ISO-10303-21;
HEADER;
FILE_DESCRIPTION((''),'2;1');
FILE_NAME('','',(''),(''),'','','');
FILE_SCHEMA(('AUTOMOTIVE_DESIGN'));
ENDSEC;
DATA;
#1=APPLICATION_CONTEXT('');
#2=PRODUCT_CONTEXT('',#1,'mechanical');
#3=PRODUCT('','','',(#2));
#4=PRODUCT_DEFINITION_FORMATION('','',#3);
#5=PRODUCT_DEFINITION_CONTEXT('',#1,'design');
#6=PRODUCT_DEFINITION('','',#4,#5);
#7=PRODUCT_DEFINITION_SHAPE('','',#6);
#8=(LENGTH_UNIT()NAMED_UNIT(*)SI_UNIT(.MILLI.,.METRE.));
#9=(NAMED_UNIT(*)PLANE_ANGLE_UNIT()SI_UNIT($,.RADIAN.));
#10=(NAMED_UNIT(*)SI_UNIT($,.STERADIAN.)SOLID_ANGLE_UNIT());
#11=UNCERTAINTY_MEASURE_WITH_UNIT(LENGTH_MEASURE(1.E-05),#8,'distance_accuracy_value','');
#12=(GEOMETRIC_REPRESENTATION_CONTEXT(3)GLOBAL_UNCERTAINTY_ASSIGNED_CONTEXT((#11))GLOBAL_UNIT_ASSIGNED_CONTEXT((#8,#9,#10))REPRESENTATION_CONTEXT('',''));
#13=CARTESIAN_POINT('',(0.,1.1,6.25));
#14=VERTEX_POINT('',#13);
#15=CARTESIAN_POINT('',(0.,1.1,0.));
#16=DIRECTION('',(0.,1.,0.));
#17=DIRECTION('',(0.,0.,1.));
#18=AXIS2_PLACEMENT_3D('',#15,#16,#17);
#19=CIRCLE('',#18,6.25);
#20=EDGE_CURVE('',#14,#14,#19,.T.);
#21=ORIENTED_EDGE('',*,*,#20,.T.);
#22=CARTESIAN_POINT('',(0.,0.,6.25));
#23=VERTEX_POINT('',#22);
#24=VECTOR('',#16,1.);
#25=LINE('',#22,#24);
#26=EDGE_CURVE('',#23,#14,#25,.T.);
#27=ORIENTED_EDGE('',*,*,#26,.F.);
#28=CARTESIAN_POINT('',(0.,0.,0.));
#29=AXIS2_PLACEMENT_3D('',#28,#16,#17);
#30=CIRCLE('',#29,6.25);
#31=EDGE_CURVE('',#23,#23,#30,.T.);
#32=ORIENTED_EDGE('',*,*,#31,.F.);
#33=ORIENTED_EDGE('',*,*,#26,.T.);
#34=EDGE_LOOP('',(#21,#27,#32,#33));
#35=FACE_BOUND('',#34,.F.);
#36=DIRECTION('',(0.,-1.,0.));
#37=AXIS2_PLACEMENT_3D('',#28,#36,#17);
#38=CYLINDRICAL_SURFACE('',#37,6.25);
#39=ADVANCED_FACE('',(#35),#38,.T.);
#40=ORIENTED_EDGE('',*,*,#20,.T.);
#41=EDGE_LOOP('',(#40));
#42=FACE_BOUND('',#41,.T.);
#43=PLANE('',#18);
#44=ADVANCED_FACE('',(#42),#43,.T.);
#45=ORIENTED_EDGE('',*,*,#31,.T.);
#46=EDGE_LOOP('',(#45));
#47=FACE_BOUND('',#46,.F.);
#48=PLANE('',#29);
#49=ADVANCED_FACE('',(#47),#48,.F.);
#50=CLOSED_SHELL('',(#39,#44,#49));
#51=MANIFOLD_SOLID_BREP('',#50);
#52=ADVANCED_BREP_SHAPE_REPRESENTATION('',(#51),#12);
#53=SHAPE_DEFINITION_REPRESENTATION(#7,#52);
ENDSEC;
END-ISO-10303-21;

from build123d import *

# Parameters (mm, degrees)
SKETCH_1_R      = 6.25
EXTRUDE_1_DEPTH = 1.1


with BuildPart() as part:
    # 草图1 → 凸台-拉伸1 (new body)
    with BuildSketch(Plane(origin=(0, 0, 0), x_dir=(1, 0, 0), z_dir=(0, 1, 0))):
        with Locations(Location((0, 0, 0), (0, 0, 270))):  # turned: the seam where the file's is
            Circle(SKETCH_1_R)
    extrude(amount=EXTRUDE_1_DEPTH)


solid = part.part
